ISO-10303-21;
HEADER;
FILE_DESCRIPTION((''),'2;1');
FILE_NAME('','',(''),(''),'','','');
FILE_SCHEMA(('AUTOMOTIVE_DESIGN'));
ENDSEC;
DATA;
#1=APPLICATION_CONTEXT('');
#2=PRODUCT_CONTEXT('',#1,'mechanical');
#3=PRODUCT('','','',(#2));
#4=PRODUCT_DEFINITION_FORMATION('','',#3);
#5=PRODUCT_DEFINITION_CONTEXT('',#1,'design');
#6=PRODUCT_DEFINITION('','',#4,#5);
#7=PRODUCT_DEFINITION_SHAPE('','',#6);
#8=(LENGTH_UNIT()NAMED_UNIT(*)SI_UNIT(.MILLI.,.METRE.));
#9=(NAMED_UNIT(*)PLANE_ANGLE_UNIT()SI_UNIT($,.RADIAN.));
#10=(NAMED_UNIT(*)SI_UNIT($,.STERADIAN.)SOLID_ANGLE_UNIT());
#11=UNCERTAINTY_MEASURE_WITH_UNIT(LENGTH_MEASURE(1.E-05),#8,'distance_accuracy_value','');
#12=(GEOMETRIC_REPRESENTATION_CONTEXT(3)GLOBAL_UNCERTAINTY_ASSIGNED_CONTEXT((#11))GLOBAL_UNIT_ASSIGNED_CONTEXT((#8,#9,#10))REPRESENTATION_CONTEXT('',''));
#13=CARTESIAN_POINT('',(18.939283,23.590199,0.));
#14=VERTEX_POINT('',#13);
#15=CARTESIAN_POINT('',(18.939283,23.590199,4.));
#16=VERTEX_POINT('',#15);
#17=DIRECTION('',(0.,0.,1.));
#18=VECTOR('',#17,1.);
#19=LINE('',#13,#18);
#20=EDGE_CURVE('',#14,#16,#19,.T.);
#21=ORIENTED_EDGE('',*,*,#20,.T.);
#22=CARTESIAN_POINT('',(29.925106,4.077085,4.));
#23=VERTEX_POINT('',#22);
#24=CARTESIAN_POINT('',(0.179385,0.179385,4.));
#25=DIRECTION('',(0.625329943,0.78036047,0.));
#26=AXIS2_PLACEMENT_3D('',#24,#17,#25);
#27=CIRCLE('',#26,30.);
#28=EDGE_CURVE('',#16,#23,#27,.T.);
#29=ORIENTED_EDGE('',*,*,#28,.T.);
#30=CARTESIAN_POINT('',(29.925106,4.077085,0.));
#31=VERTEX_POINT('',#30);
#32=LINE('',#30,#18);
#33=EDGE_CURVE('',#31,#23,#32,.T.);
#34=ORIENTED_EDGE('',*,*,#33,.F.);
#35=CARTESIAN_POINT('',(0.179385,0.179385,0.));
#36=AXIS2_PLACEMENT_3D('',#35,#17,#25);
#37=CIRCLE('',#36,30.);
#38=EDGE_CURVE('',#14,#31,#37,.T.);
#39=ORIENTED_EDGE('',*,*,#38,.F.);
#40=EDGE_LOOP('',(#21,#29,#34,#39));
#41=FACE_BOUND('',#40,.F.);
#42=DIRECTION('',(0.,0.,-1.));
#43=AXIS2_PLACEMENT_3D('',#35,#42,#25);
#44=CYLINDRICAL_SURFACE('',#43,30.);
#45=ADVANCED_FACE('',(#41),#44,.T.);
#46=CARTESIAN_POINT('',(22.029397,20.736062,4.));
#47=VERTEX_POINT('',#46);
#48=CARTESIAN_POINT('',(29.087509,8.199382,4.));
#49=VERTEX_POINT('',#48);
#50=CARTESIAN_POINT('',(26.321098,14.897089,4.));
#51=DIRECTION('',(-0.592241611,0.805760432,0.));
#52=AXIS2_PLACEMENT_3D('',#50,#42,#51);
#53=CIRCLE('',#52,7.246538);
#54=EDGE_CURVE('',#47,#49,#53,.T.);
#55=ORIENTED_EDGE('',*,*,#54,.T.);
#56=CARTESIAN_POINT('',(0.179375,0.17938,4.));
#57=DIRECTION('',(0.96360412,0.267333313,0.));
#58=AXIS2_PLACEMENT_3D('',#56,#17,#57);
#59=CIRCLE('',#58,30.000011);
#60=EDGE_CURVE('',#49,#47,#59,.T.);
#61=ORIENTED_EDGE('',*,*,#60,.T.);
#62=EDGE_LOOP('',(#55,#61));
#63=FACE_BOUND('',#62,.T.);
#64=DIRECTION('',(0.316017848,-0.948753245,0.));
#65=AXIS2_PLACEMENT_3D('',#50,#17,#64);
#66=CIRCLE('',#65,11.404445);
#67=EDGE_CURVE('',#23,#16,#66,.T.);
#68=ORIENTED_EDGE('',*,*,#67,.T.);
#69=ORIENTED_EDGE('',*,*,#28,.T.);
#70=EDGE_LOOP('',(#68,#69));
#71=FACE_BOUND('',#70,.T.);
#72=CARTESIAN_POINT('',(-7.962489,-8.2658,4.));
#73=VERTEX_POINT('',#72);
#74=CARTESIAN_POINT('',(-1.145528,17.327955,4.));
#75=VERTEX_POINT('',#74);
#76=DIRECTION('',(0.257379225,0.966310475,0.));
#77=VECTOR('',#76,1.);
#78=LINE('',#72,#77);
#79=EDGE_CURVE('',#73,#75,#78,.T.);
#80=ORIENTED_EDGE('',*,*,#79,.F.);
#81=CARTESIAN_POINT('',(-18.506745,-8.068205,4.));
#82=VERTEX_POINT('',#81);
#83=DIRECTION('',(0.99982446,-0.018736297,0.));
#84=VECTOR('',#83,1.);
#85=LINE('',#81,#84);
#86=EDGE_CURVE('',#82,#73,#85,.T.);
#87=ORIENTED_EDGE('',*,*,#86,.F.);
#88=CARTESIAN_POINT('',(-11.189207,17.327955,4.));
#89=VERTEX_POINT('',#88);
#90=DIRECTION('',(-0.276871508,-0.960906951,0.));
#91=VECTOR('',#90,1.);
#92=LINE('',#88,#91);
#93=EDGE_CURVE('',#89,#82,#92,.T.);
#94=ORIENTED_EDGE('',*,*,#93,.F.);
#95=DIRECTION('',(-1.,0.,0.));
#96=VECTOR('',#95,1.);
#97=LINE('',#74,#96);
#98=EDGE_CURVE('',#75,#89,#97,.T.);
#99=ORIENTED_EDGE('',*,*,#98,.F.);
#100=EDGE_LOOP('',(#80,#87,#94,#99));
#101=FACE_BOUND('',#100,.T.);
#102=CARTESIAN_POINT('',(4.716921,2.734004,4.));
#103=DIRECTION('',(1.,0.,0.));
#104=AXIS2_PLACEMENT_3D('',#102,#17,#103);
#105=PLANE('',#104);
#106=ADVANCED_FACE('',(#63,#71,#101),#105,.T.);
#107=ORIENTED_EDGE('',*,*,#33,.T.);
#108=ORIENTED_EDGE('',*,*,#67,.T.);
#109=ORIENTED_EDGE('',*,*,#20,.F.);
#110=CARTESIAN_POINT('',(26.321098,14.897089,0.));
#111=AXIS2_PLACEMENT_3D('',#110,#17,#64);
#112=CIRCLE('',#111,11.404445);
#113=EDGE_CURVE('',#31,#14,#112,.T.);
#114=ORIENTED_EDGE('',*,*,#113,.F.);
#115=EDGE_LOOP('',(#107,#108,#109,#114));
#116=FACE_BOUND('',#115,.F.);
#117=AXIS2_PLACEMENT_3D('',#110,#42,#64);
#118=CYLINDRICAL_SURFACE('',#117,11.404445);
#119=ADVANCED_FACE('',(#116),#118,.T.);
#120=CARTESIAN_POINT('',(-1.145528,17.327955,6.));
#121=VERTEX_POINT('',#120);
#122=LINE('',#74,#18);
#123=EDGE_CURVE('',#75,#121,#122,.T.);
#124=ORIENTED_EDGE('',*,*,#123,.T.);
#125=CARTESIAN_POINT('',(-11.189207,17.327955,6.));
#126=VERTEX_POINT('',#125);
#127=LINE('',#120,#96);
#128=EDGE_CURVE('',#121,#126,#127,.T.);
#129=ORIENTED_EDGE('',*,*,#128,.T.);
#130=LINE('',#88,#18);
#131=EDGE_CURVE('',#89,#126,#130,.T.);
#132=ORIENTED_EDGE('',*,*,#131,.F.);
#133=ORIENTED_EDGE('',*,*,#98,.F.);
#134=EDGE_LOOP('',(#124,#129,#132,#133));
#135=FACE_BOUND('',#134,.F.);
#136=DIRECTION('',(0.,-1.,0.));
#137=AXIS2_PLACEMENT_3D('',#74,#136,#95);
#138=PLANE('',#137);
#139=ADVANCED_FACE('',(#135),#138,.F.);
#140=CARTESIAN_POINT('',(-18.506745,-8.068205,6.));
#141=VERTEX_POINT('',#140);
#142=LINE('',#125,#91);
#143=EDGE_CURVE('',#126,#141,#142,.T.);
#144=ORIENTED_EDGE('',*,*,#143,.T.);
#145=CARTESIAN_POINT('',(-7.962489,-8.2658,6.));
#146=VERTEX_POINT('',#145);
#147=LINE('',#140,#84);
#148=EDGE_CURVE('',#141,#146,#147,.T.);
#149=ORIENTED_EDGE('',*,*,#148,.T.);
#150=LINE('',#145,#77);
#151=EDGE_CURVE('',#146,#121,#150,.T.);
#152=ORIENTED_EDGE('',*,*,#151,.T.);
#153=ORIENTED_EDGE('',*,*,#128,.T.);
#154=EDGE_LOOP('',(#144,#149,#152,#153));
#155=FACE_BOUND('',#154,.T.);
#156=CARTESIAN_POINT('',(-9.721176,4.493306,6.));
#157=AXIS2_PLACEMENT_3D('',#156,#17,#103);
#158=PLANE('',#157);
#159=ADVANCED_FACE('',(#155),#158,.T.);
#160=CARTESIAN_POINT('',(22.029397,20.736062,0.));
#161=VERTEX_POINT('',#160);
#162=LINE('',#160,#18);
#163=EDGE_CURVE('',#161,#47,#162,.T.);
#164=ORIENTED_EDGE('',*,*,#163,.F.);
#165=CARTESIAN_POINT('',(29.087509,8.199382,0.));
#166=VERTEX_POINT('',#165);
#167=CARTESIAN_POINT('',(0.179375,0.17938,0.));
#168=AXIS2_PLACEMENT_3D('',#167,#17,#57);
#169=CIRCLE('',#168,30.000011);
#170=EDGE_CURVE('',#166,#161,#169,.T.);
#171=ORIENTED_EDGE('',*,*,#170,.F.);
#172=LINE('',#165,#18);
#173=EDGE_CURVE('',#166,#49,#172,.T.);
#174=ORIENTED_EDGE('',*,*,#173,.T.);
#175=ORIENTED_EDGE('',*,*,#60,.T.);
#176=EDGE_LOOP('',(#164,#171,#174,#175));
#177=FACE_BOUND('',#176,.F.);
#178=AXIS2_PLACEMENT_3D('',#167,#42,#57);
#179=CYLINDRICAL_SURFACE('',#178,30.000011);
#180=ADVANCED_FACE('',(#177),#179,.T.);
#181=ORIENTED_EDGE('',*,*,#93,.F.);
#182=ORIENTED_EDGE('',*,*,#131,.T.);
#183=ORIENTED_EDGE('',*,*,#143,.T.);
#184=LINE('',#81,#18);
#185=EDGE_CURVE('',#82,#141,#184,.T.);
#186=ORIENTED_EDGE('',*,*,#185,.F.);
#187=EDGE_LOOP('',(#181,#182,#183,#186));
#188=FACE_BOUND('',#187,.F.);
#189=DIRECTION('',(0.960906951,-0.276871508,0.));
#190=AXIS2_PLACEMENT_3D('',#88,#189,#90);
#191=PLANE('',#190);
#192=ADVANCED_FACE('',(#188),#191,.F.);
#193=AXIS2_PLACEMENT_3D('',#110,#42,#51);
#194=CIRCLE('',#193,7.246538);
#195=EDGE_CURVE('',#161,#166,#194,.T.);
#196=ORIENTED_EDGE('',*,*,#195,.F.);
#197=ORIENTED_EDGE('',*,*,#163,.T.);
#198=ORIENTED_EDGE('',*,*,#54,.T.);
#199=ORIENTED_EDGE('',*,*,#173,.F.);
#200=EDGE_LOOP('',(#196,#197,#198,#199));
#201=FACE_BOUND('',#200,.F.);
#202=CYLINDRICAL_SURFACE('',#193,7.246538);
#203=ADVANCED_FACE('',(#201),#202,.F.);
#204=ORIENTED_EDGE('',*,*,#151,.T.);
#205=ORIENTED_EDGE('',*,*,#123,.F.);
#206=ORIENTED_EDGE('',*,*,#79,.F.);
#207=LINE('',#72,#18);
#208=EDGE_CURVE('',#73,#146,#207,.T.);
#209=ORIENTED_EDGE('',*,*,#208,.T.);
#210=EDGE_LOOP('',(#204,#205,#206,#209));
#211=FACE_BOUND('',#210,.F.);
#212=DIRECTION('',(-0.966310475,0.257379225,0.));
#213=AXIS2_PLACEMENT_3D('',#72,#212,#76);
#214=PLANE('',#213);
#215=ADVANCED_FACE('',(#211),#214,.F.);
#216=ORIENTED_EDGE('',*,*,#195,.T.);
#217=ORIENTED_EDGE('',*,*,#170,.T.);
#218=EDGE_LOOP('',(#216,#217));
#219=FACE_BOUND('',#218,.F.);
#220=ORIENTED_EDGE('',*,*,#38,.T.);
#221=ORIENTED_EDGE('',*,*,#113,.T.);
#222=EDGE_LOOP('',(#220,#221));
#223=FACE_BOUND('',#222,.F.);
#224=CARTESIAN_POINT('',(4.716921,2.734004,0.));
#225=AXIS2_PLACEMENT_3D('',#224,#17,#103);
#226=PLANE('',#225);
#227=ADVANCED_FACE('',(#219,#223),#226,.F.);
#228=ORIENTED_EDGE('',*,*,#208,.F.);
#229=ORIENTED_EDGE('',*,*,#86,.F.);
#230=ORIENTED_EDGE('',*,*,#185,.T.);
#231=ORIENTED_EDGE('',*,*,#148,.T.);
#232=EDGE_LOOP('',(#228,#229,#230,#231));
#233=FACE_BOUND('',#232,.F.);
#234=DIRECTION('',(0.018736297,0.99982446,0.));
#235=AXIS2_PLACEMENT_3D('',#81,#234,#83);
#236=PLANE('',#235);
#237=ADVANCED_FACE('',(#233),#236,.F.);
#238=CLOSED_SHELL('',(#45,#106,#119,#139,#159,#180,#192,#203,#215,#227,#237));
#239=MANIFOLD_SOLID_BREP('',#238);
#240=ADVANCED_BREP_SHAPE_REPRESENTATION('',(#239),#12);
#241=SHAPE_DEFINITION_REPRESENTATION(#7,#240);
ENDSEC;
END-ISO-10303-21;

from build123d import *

# Parameters (mm, degrees)
F1_DEPTH = 4
F3_DEPTH = 2


with BuildPart() as f1:
    # F0 (on Top) → F1 (new body)
    with BuildSketch(Plane.XY):
        with BuildLine():
            ThreePointArc((18.939283, 23.590199), (-25.962329, -14.538319), (29.925106, 4.077085))
            ThreePointArc((29.925106, 4.077085), (36.258822, 20.491997), (18.939283, 23.590199))
        make_face()
        with BuildLine():
            ThreePointArc((22.029397, 20.736062), (32.635662, 18.452168), (29.087509, 8.199382))
            ThreePointArc((29.087509, 8.199382), (26.321098, 14.897089), (22.029397, 20.736062))
        make_face(mode=Mode.SUBTRACT)
    extrude(amount=F1_DEPTH)

    # F2 (on face) → F3 (join)
    with BuildSketch(Plane.XY.offset(4)):
        Polygon((-11.189207, 17.327955), (-18.506745, -8.068205), (-7.962489, -8.2658), (-1.145528, 17.327955), align=None)
    extrude(amount=F3_DEPTH)


solid = f1.part
